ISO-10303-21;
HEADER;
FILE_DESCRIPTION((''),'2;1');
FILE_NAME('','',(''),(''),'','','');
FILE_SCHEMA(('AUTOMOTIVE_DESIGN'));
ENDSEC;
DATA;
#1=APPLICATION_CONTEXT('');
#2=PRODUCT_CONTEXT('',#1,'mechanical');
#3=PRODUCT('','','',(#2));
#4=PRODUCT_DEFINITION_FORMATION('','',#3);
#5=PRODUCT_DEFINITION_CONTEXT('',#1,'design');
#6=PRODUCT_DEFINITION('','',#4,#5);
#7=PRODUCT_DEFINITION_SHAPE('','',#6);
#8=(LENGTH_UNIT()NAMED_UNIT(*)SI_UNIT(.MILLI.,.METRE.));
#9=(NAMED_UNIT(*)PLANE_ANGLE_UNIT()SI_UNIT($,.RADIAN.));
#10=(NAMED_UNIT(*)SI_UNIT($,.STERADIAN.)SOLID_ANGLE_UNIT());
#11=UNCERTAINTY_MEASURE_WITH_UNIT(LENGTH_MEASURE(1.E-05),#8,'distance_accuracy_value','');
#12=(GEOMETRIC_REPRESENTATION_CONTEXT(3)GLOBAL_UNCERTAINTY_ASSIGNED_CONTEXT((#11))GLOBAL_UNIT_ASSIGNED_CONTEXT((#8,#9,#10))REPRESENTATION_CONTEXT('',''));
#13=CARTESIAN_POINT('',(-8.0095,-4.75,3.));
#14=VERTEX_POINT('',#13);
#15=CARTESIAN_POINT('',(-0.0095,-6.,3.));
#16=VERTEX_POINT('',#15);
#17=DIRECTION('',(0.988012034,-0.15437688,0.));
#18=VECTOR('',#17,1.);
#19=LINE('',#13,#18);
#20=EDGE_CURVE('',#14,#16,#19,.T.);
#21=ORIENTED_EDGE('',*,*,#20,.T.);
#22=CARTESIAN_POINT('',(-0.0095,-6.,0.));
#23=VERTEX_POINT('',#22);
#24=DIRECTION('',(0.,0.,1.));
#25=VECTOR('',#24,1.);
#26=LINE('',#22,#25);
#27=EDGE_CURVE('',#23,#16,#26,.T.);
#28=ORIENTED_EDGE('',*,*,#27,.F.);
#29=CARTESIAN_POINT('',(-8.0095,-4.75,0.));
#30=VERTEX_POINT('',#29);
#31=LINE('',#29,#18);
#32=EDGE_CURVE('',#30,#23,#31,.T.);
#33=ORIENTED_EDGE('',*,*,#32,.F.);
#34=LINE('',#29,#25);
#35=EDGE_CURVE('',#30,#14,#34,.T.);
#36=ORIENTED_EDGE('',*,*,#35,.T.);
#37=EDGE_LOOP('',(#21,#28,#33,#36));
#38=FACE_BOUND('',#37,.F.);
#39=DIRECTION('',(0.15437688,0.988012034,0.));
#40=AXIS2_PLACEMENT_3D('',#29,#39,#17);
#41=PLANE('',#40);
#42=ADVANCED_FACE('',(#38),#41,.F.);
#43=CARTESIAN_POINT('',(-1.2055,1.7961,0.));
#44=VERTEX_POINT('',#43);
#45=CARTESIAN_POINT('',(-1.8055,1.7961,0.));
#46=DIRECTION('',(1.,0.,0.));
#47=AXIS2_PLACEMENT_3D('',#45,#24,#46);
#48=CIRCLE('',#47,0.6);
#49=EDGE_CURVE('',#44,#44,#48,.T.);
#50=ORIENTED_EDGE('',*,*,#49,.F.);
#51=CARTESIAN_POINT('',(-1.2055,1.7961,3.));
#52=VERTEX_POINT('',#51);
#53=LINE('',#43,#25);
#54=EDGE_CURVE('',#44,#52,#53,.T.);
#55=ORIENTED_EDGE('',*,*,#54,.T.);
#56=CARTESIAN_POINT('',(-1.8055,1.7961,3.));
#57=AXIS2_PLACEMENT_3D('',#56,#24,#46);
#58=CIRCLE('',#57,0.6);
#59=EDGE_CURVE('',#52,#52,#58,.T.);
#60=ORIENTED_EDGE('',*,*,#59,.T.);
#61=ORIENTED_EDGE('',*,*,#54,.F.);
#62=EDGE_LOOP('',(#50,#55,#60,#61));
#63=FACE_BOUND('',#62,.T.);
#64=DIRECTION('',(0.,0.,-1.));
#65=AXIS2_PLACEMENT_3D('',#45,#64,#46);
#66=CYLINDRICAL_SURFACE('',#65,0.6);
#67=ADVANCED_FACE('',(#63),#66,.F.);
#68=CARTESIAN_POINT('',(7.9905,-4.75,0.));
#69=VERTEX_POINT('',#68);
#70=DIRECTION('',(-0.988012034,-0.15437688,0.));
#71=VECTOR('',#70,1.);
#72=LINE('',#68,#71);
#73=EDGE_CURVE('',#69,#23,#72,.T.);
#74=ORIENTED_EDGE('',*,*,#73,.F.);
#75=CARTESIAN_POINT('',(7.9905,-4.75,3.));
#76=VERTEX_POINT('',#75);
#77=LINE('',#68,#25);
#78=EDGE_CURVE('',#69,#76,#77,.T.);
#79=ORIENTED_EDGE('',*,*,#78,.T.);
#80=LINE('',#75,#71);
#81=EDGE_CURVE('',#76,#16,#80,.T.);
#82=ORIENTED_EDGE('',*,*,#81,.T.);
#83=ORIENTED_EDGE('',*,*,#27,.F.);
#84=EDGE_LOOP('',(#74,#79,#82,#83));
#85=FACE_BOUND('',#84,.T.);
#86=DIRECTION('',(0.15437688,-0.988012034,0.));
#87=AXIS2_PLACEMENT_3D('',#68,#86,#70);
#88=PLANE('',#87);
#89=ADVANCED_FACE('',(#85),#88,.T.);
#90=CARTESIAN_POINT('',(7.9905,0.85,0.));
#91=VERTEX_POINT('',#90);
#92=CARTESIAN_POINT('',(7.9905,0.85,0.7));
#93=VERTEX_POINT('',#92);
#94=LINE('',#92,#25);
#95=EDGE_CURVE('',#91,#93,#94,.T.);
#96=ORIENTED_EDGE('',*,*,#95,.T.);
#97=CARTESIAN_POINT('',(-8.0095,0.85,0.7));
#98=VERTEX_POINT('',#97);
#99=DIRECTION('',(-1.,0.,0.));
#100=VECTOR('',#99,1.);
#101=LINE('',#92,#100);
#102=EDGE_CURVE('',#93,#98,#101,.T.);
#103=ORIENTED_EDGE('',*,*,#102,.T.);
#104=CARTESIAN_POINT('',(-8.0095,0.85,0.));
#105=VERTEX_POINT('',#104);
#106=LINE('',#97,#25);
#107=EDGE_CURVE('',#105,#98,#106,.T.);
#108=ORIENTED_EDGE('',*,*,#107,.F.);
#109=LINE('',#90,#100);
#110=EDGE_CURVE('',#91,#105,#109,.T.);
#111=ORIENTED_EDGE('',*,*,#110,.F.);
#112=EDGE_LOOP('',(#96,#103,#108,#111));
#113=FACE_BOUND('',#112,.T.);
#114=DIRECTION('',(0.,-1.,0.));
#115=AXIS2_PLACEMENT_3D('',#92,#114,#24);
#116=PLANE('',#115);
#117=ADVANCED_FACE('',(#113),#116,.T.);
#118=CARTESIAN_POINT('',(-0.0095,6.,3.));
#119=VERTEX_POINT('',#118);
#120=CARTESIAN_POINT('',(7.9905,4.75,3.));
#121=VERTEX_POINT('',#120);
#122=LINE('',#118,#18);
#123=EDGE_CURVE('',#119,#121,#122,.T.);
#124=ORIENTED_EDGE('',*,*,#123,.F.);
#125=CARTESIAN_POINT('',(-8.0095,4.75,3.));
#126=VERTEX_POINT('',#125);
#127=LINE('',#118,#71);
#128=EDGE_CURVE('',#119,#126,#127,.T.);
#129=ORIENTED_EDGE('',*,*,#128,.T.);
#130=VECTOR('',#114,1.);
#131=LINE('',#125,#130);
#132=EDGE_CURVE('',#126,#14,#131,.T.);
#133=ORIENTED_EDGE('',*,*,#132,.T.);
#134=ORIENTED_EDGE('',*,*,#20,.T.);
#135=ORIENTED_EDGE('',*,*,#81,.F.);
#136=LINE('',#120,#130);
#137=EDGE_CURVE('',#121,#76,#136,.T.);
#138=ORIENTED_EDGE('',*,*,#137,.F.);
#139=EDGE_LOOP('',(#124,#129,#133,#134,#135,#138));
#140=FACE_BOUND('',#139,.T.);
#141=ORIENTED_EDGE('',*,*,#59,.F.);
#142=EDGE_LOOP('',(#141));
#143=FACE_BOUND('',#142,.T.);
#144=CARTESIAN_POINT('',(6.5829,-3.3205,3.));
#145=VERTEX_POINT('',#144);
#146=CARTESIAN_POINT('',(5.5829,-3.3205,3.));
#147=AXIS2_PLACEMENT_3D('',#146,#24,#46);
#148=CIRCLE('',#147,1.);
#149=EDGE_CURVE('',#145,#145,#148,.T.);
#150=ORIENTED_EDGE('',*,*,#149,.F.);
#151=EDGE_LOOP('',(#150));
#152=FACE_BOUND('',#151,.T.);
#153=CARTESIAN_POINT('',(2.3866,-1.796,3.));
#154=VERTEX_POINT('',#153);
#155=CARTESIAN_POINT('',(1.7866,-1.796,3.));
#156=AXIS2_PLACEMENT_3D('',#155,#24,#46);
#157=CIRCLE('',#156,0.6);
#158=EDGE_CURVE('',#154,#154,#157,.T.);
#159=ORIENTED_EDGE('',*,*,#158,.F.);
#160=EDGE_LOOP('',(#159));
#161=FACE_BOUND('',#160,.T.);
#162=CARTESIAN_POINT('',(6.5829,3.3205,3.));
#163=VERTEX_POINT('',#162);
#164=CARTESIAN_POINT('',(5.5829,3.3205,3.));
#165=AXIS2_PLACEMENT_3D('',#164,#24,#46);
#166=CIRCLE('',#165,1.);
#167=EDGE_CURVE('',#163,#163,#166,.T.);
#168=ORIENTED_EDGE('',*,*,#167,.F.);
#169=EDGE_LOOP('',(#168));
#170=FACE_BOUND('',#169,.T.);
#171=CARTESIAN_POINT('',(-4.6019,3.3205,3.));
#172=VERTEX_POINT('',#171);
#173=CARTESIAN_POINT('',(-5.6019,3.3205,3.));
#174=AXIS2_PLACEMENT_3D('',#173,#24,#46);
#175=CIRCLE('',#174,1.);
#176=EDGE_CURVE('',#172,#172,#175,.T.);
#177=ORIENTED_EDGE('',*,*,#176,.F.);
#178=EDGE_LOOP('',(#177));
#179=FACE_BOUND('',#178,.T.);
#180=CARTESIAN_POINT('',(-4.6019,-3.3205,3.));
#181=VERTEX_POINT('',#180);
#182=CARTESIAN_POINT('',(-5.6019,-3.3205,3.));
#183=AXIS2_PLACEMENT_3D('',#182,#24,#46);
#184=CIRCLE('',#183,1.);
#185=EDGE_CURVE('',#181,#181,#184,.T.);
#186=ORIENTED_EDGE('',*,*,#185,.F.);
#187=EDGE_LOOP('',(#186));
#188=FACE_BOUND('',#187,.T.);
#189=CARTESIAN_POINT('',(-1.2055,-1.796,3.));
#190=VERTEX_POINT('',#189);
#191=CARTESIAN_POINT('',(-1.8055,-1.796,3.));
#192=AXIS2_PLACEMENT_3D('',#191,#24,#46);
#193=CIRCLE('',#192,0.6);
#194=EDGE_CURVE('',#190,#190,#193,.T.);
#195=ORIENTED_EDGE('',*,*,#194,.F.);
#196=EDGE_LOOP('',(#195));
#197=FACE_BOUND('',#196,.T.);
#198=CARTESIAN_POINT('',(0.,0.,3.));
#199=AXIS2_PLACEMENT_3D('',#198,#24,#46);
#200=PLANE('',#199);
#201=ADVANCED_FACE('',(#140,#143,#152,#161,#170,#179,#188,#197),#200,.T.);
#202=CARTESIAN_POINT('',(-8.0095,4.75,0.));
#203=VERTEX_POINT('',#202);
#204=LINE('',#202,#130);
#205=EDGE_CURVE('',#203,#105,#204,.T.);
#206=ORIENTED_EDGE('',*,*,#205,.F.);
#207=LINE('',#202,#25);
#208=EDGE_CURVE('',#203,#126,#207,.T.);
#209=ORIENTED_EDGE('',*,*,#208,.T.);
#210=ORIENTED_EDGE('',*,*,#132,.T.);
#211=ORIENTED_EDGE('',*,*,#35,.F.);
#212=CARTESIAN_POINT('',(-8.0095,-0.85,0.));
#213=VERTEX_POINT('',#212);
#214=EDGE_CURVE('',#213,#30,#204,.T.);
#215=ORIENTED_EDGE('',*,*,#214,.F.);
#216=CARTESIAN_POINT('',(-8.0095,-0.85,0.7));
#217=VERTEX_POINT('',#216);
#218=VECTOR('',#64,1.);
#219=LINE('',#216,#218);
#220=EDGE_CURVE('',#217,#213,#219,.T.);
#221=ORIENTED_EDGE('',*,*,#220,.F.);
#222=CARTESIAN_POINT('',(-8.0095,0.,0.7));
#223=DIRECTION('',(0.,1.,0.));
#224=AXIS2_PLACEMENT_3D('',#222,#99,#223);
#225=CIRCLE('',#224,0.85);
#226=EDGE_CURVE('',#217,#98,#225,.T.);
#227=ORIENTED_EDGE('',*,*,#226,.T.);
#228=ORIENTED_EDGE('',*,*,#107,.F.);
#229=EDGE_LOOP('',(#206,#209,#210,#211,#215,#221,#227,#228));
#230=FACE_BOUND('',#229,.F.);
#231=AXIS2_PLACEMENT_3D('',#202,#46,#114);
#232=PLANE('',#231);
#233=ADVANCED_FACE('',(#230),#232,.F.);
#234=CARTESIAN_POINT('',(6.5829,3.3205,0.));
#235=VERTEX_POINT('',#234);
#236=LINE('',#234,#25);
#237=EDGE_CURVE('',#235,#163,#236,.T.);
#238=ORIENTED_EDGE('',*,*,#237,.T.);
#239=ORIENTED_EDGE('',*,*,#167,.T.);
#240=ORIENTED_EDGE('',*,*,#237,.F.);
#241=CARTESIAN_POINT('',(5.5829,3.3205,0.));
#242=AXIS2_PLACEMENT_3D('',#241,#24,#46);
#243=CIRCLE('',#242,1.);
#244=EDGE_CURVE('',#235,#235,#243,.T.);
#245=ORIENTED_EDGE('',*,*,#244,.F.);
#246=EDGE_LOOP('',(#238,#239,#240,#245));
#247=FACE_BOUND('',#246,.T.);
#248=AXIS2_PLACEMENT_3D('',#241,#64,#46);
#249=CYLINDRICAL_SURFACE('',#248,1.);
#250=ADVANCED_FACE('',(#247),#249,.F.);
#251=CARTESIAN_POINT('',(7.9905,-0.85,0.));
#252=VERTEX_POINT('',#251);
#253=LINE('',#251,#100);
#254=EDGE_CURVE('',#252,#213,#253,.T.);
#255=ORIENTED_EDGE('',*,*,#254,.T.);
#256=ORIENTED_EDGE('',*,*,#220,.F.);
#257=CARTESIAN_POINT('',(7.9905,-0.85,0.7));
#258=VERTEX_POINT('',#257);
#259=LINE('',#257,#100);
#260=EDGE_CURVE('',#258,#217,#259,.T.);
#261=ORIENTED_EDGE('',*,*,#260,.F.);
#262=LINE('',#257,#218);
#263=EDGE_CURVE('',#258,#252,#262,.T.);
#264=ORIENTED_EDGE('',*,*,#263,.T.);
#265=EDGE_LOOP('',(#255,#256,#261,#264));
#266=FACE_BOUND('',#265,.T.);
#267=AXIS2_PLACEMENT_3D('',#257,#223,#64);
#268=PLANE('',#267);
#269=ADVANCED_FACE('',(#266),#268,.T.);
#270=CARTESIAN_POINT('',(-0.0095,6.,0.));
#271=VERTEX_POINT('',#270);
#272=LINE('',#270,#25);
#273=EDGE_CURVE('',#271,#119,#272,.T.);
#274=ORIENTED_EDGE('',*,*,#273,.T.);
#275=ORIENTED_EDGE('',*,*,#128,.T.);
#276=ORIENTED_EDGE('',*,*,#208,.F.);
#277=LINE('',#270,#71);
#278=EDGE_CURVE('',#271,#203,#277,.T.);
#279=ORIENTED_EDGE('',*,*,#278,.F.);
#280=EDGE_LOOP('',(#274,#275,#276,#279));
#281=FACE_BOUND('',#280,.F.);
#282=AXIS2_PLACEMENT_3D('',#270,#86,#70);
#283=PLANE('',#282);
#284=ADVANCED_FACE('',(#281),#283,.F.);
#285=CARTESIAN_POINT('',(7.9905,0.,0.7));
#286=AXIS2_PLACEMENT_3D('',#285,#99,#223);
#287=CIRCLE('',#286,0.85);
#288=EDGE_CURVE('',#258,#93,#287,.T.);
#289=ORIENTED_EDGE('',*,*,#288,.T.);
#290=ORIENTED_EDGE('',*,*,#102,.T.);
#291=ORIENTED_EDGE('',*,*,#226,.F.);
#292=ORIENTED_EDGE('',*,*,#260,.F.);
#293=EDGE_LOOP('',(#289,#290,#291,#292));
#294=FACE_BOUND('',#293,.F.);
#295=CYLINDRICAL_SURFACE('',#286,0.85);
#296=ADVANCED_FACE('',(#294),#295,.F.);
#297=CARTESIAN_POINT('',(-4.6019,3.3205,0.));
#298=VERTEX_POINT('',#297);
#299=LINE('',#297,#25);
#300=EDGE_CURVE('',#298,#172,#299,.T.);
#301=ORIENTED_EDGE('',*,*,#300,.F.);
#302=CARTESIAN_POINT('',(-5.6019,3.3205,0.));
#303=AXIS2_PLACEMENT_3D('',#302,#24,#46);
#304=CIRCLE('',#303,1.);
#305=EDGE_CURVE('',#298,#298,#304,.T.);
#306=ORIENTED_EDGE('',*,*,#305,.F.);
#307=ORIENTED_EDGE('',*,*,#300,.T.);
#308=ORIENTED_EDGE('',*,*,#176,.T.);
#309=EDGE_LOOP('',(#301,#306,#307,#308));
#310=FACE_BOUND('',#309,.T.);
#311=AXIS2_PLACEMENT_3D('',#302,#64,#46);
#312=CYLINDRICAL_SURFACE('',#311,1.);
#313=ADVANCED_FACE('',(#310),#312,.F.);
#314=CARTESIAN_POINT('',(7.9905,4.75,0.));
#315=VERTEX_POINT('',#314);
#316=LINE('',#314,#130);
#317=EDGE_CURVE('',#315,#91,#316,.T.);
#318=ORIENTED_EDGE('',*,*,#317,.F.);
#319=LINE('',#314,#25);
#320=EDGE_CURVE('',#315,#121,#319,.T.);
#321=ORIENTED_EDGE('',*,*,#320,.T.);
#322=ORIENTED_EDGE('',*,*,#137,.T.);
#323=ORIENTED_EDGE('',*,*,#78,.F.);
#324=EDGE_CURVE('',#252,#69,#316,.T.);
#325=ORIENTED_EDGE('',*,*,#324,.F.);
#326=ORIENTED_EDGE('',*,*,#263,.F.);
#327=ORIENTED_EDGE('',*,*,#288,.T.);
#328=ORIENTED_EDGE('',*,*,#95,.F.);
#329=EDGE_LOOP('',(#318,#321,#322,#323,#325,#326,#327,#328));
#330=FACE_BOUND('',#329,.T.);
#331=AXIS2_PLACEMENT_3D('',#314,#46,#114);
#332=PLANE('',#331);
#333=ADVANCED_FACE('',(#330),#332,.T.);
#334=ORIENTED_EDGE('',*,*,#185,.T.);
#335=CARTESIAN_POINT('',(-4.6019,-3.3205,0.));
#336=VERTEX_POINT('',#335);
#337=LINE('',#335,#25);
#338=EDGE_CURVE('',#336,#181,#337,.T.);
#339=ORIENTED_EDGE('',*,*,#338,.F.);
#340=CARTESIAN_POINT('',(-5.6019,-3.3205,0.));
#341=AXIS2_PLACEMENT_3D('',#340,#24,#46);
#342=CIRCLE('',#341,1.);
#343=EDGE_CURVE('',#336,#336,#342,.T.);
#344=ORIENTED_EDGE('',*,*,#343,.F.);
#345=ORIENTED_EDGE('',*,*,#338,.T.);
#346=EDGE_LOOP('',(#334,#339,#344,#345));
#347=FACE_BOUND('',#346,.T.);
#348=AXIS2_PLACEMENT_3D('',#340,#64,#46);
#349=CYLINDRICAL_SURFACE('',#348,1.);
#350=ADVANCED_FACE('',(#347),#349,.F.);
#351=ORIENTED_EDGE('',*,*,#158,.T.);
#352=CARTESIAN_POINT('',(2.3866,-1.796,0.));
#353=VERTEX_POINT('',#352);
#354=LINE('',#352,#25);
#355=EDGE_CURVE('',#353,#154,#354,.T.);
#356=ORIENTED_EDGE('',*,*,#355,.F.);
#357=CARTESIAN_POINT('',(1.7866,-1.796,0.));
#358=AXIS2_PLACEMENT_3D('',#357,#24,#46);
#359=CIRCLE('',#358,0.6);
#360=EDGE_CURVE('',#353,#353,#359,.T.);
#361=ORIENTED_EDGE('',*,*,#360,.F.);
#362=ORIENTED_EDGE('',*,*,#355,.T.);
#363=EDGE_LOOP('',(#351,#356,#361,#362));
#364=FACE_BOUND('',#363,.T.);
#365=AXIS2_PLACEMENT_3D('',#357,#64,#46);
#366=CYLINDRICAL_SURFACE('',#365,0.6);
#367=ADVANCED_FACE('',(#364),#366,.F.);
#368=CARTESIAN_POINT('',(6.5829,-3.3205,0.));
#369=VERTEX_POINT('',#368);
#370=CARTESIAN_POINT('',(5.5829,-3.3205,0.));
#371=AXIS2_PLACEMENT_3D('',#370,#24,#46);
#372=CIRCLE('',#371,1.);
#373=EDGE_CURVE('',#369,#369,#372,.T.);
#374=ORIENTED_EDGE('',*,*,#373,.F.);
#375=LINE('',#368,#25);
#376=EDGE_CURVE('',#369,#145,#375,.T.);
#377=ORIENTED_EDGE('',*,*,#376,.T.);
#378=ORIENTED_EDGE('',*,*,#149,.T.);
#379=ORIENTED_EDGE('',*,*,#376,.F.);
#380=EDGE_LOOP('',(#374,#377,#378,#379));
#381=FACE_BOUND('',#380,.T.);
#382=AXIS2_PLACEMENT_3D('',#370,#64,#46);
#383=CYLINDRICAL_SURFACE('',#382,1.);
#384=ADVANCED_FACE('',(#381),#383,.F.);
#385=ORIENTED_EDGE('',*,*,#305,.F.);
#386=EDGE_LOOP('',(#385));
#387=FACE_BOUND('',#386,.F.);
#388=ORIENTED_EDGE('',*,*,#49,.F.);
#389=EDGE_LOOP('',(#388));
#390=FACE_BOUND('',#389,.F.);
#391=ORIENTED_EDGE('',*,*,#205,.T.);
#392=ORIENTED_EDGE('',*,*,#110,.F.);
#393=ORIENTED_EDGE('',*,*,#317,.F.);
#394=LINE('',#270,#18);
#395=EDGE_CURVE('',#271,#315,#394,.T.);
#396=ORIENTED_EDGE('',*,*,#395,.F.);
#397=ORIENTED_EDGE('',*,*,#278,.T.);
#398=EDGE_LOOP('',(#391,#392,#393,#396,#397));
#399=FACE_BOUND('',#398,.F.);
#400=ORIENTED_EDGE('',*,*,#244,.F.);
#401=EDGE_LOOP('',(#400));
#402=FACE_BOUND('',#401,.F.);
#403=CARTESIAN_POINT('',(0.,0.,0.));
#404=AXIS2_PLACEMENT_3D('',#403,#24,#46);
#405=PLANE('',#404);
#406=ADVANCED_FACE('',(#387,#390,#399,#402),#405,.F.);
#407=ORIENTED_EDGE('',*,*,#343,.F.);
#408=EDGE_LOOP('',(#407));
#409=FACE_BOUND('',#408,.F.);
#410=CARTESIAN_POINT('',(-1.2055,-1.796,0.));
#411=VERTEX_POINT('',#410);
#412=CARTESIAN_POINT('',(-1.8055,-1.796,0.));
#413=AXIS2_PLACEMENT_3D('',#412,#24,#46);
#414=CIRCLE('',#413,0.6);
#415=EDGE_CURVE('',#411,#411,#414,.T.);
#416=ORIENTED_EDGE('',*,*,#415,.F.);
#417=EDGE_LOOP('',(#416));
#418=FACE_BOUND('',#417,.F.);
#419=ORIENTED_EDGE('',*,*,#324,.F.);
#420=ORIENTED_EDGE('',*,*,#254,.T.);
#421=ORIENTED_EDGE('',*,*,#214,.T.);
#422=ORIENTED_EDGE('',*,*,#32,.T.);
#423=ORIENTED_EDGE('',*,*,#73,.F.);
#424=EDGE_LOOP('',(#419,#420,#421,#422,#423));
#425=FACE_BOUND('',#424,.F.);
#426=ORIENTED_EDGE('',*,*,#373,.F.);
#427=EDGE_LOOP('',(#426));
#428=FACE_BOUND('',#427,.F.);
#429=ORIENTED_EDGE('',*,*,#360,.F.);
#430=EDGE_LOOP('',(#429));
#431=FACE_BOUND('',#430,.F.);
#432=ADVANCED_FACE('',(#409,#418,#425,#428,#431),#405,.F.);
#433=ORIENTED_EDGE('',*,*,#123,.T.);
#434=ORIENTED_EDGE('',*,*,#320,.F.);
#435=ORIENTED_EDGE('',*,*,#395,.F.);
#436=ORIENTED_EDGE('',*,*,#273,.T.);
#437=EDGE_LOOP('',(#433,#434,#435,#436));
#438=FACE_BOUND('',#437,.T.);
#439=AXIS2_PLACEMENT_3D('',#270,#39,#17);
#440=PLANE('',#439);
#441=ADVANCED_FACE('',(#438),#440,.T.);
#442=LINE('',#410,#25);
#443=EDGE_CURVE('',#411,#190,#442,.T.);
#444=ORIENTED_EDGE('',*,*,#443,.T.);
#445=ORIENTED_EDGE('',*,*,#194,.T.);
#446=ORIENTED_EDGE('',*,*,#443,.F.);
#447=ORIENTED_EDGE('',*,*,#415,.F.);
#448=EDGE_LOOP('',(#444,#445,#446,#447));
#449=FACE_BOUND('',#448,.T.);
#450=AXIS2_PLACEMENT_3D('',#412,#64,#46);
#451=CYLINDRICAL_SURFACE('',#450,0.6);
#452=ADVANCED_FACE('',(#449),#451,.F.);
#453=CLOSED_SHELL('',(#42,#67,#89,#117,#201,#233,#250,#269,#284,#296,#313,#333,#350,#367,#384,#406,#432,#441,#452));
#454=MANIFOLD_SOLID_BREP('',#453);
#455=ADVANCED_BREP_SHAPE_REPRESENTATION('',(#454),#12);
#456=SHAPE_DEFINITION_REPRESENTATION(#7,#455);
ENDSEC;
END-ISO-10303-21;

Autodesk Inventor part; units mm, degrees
ref_plane "YZ Plane" through (0, 0, 0) normal (1, 0, 0) x (0, 1, 0)
ref_plane "XZ Plane" through (0, 0, 0) normal (0, 1, 0) x (-1, 0, 0)
ref_plane "XY Plane" through (0, 0, 0) normal (0, 0, 1) x (1, 0, 0)
sketch "Sketch1" plane through (0, 0, 0) normal (0, 0, 1) x (1, 0, 0)
  line L0 (-8.0095, -1.25) -> (7.9905, -1.25) construction
  line L1 (7.9905, -1.25) -> (7.9905, 1.25) construction
  line L2 (7.9905, 1.25) -> (-8.0095, 1.25) construction
  line L3 (-8.0095, 1.25) -> (-8.0095, -1.25) construction
  line L4 (-8.0095, -1.25) -> (7.9905, 1.25) construction
  line L5 (7.9905, -1.25) -> (-8.0095, 1.25) construction
  circle A0 centre (5.5829, 3.3205) radius 1
  line L6 (-0.0095, 0) -> (-0.0095, 6) construction
  line L7 (-0.0095, 0) -> (-0.0095, -6) construction
  line L8 (-0.0095, 6) -> (-8.0095, 4.75)
  line L9 (-8.0095, 4.75) -> (-8.0095, -4.75)
  line L10 (-8.0095, -4.75) -> (-0.0095, -6)
  line L11 (-0.0095, 6) -> (7.9905, 4.75)
  line L12 (7.9905, 4.75) -> (7.9905, -4.75)
  line L13 (7.9905, -4.75) -> (-0.0095, -6)
  line L14 (7.9905, 4.75) -> (-8.0095, -4.75) construction
  line L15 (-8.0095, 4.75) -> (7.9905, -4.75) construction
  circle A1 centre (-5.6019, 3.3205) radius 1
  line L16 (-8.0095, 0) -> (7.9905, 0) construction
  circle A2 centre (5.5829, -3.3205) radius 1
  circle A3 centre (-5.6019, -3.3205) radius 1
  circle A4 centre (-0.0095, 0) radius 2.54 construction
  line L17 (-0.0095, 0) -> (1.7866, -1.796) construction
  line L18 (-0.0095, 0) -> (-1.8055, -1.796) construction
  line L19 (-0.0095, 0) -> (-1.8055, 1.7961) construction
  circle A5 centre (1.7866, -1.796) radius 0.6
  circle A6 centre (-1.8055, -1.796) radius 0.6
  circle A7 centre (-1.8055, 1.7961) radius 0.6
  point P0 (0, 0)
  point P1 (-0.0095, 0)
  point P2 (-0.0095, 0)
  dimension "d1" = 2.5
  dimension "d2" = 2
  dimension "d3" = 6
  dimension "d4" = 16
  dimension "d5" = 2.8
  dimension "d13" = 5.08
  dimension "d14" = 1.2
extrude "Extrusion2" add sketch "Sketch1" along normal blind 3
sketch "Sketch2" plane through (7.9905, -4.75, 0) normal (1, 0, 0) x (0, 0, -1)
  line L0 (0, 9.5) -> (0, 0) projected
  arc A0 (-0.7, 5.6) -> (-0.7, 3.9) centre (-0.7, 4.75) ccw
  line L1 (-0.7, 5.6) -> (0, 5.6)
  line L2 (-0.7, 3.9) -> (0, 3.9)
  line L3 (0, 5.6) -> (0, 3.9)
  line L4 (-3, 0) -> (-3, 9.5) projected
  line L5 (-3, 4.75) -> (-0.7, 4.75) construction
  point P0 (0, 4.75)
  dimension "d11" = 1.7
  dimension "d19" = 0.7
sketch "Sketch3" plane through (0, 0, 0) normal (0, 0, -1) x (-1, 0, 0)
  line L0 (-7.9905, 4.75) -> (-7.9905, -4.75) projected
  line L1 (8.0095, -4.75) -> (8.0095, 4.75) projected
  line L2 (-7.9905, 0) -> (8.0095, 0)
  point P0 (0, 0)
sweep "Sweep1" cut profiles "Sketch2" path "Sketch3" path curves L2
properties part number "LED cooling tubing cap 2"
